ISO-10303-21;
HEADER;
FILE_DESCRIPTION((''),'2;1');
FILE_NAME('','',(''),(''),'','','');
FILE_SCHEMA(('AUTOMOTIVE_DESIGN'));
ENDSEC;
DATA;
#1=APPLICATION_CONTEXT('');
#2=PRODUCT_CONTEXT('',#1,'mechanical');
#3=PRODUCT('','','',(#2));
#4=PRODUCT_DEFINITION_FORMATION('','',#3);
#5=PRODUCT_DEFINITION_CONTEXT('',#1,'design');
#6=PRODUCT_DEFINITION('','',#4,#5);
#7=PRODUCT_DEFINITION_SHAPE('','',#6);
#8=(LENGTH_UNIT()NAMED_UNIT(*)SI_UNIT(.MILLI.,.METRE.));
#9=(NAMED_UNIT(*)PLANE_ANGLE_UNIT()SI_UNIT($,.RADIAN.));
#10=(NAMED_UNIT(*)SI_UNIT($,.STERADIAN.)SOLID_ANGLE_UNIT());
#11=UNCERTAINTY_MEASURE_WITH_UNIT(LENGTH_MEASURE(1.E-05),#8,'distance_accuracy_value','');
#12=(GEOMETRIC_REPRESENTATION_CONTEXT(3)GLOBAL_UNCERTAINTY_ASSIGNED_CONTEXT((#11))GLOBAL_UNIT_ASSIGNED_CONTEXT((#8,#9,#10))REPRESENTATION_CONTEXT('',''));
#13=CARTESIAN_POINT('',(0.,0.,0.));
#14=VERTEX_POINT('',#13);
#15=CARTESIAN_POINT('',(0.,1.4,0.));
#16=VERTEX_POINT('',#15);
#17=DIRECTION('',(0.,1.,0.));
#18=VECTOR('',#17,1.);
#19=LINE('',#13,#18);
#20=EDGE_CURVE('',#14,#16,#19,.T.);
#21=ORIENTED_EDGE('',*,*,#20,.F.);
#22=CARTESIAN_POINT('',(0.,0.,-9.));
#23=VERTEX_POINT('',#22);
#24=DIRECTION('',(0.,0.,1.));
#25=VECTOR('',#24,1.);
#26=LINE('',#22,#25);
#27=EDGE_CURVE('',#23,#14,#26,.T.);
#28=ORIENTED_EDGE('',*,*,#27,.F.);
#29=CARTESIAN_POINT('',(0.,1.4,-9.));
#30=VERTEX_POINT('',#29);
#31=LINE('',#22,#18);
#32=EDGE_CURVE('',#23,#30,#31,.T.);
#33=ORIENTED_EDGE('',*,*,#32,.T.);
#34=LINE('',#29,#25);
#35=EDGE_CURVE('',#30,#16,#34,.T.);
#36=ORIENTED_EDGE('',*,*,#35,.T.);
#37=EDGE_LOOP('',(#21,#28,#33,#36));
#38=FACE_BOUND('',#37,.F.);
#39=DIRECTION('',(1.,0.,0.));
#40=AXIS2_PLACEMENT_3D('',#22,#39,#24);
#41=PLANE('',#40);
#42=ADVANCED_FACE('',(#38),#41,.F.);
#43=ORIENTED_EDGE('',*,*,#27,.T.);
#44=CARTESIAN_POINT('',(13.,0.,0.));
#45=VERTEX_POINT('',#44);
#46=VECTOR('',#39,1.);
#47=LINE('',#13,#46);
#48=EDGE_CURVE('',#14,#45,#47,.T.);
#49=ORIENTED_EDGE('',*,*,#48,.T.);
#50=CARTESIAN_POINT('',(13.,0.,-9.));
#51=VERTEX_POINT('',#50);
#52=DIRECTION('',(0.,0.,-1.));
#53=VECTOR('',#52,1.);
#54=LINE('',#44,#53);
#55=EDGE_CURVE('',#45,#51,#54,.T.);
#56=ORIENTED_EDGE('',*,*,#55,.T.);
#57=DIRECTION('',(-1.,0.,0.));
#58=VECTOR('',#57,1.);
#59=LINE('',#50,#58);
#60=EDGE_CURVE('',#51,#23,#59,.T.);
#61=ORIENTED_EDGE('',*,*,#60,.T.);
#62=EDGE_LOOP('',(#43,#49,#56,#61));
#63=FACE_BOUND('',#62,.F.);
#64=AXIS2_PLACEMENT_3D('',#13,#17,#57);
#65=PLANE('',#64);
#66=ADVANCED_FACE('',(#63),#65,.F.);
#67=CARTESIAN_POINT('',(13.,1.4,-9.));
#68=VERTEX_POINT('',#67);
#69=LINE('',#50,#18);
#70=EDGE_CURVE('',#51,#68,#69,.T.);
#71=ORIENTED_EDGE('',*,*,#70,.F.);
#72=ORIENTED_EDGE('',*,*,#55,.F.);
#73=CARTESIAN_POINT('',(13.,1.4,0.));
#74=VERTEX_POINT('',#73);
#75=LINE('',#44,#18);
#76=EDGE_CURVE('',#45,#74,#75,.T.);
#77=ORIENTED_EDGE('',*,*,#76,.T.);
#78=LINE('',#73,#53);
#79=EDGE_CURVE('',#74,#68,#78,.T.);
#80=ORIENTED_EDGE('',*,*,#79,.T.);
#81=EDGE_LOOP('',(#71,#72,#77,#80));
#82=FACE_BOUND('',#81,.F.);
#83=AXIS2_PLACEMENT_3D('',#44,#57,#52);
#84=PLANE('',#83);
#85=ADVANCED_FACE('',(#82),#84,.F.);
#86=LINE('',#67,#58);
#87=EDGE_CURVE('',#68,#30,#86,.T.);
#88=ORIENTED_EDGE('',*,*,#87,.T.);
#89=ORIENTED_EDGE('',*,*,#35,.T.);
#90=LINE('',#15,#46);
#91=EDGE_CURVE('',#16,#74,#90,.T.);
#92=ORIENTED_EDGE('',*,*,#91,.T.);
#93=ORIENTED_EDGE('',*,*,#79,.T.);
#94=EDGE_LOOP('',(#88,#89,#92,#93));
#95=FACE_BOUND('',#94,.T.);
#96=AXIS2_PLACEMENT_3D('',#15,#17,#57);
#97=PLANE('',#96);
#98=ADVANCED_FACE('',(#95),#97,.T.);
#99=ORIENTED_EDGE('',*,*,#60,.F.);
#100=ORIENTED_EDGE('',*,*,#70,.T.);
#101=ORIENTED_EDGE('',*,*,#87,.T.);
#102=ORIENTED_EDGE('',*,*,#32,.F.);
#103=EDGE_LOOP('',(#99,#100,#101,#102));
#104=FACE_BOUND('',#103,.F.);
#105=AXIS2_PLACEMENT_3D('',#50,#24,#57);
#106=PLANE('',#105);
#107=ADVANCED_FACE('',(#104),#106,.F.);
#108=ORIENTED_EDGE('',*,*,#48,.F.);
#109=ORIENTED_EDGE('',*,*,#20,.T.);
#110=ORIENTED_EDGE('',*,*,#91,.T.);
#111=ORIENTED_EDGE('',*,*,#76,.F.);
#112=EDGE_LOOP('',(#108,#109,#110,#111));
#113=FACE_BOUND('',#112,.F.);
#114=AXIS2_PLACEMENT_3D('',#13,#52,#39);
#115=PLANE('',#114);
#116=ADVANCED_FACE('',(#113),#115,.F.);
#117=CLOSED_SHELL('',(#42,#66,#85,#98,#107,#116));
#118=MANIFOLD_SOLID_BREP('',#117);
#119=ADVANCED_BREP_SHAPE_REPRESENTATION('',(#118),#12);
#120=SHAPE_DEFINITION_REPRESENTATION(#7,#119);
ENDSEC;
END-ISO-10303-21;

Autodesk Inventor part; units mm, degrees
ref_plane "YZ Plane" through (0, 0, 0) normal (1, 0, 0) x (0, 1, 0)
ref_plane "XZ Plane" through (0, 0, 0) normal (0, 1, 0) x (-1, 0, 0)
ref_plane "XY Plane" through (0, 0, 0) normal (0, 0, 1) x (1, 0, 0)
sketch "Sketch1" plane through (0, 0, 0) normal (0, 1, 0) x (-1, 0, 0)
  line L0 (0, 0) -> (-13, 0)
  line L1 (-13, 0) -> (-13, -9)
  line L2 (-13, -9) -> (0, -9)
  line L3 (0, -9) -> (0, 0)
  dimension "d0" = 13
  dimension "d1" = 9
extrude "Extrusion1" add sketch "Sketch1" along normal blind 1.4
properties part number "enc_pcb"
